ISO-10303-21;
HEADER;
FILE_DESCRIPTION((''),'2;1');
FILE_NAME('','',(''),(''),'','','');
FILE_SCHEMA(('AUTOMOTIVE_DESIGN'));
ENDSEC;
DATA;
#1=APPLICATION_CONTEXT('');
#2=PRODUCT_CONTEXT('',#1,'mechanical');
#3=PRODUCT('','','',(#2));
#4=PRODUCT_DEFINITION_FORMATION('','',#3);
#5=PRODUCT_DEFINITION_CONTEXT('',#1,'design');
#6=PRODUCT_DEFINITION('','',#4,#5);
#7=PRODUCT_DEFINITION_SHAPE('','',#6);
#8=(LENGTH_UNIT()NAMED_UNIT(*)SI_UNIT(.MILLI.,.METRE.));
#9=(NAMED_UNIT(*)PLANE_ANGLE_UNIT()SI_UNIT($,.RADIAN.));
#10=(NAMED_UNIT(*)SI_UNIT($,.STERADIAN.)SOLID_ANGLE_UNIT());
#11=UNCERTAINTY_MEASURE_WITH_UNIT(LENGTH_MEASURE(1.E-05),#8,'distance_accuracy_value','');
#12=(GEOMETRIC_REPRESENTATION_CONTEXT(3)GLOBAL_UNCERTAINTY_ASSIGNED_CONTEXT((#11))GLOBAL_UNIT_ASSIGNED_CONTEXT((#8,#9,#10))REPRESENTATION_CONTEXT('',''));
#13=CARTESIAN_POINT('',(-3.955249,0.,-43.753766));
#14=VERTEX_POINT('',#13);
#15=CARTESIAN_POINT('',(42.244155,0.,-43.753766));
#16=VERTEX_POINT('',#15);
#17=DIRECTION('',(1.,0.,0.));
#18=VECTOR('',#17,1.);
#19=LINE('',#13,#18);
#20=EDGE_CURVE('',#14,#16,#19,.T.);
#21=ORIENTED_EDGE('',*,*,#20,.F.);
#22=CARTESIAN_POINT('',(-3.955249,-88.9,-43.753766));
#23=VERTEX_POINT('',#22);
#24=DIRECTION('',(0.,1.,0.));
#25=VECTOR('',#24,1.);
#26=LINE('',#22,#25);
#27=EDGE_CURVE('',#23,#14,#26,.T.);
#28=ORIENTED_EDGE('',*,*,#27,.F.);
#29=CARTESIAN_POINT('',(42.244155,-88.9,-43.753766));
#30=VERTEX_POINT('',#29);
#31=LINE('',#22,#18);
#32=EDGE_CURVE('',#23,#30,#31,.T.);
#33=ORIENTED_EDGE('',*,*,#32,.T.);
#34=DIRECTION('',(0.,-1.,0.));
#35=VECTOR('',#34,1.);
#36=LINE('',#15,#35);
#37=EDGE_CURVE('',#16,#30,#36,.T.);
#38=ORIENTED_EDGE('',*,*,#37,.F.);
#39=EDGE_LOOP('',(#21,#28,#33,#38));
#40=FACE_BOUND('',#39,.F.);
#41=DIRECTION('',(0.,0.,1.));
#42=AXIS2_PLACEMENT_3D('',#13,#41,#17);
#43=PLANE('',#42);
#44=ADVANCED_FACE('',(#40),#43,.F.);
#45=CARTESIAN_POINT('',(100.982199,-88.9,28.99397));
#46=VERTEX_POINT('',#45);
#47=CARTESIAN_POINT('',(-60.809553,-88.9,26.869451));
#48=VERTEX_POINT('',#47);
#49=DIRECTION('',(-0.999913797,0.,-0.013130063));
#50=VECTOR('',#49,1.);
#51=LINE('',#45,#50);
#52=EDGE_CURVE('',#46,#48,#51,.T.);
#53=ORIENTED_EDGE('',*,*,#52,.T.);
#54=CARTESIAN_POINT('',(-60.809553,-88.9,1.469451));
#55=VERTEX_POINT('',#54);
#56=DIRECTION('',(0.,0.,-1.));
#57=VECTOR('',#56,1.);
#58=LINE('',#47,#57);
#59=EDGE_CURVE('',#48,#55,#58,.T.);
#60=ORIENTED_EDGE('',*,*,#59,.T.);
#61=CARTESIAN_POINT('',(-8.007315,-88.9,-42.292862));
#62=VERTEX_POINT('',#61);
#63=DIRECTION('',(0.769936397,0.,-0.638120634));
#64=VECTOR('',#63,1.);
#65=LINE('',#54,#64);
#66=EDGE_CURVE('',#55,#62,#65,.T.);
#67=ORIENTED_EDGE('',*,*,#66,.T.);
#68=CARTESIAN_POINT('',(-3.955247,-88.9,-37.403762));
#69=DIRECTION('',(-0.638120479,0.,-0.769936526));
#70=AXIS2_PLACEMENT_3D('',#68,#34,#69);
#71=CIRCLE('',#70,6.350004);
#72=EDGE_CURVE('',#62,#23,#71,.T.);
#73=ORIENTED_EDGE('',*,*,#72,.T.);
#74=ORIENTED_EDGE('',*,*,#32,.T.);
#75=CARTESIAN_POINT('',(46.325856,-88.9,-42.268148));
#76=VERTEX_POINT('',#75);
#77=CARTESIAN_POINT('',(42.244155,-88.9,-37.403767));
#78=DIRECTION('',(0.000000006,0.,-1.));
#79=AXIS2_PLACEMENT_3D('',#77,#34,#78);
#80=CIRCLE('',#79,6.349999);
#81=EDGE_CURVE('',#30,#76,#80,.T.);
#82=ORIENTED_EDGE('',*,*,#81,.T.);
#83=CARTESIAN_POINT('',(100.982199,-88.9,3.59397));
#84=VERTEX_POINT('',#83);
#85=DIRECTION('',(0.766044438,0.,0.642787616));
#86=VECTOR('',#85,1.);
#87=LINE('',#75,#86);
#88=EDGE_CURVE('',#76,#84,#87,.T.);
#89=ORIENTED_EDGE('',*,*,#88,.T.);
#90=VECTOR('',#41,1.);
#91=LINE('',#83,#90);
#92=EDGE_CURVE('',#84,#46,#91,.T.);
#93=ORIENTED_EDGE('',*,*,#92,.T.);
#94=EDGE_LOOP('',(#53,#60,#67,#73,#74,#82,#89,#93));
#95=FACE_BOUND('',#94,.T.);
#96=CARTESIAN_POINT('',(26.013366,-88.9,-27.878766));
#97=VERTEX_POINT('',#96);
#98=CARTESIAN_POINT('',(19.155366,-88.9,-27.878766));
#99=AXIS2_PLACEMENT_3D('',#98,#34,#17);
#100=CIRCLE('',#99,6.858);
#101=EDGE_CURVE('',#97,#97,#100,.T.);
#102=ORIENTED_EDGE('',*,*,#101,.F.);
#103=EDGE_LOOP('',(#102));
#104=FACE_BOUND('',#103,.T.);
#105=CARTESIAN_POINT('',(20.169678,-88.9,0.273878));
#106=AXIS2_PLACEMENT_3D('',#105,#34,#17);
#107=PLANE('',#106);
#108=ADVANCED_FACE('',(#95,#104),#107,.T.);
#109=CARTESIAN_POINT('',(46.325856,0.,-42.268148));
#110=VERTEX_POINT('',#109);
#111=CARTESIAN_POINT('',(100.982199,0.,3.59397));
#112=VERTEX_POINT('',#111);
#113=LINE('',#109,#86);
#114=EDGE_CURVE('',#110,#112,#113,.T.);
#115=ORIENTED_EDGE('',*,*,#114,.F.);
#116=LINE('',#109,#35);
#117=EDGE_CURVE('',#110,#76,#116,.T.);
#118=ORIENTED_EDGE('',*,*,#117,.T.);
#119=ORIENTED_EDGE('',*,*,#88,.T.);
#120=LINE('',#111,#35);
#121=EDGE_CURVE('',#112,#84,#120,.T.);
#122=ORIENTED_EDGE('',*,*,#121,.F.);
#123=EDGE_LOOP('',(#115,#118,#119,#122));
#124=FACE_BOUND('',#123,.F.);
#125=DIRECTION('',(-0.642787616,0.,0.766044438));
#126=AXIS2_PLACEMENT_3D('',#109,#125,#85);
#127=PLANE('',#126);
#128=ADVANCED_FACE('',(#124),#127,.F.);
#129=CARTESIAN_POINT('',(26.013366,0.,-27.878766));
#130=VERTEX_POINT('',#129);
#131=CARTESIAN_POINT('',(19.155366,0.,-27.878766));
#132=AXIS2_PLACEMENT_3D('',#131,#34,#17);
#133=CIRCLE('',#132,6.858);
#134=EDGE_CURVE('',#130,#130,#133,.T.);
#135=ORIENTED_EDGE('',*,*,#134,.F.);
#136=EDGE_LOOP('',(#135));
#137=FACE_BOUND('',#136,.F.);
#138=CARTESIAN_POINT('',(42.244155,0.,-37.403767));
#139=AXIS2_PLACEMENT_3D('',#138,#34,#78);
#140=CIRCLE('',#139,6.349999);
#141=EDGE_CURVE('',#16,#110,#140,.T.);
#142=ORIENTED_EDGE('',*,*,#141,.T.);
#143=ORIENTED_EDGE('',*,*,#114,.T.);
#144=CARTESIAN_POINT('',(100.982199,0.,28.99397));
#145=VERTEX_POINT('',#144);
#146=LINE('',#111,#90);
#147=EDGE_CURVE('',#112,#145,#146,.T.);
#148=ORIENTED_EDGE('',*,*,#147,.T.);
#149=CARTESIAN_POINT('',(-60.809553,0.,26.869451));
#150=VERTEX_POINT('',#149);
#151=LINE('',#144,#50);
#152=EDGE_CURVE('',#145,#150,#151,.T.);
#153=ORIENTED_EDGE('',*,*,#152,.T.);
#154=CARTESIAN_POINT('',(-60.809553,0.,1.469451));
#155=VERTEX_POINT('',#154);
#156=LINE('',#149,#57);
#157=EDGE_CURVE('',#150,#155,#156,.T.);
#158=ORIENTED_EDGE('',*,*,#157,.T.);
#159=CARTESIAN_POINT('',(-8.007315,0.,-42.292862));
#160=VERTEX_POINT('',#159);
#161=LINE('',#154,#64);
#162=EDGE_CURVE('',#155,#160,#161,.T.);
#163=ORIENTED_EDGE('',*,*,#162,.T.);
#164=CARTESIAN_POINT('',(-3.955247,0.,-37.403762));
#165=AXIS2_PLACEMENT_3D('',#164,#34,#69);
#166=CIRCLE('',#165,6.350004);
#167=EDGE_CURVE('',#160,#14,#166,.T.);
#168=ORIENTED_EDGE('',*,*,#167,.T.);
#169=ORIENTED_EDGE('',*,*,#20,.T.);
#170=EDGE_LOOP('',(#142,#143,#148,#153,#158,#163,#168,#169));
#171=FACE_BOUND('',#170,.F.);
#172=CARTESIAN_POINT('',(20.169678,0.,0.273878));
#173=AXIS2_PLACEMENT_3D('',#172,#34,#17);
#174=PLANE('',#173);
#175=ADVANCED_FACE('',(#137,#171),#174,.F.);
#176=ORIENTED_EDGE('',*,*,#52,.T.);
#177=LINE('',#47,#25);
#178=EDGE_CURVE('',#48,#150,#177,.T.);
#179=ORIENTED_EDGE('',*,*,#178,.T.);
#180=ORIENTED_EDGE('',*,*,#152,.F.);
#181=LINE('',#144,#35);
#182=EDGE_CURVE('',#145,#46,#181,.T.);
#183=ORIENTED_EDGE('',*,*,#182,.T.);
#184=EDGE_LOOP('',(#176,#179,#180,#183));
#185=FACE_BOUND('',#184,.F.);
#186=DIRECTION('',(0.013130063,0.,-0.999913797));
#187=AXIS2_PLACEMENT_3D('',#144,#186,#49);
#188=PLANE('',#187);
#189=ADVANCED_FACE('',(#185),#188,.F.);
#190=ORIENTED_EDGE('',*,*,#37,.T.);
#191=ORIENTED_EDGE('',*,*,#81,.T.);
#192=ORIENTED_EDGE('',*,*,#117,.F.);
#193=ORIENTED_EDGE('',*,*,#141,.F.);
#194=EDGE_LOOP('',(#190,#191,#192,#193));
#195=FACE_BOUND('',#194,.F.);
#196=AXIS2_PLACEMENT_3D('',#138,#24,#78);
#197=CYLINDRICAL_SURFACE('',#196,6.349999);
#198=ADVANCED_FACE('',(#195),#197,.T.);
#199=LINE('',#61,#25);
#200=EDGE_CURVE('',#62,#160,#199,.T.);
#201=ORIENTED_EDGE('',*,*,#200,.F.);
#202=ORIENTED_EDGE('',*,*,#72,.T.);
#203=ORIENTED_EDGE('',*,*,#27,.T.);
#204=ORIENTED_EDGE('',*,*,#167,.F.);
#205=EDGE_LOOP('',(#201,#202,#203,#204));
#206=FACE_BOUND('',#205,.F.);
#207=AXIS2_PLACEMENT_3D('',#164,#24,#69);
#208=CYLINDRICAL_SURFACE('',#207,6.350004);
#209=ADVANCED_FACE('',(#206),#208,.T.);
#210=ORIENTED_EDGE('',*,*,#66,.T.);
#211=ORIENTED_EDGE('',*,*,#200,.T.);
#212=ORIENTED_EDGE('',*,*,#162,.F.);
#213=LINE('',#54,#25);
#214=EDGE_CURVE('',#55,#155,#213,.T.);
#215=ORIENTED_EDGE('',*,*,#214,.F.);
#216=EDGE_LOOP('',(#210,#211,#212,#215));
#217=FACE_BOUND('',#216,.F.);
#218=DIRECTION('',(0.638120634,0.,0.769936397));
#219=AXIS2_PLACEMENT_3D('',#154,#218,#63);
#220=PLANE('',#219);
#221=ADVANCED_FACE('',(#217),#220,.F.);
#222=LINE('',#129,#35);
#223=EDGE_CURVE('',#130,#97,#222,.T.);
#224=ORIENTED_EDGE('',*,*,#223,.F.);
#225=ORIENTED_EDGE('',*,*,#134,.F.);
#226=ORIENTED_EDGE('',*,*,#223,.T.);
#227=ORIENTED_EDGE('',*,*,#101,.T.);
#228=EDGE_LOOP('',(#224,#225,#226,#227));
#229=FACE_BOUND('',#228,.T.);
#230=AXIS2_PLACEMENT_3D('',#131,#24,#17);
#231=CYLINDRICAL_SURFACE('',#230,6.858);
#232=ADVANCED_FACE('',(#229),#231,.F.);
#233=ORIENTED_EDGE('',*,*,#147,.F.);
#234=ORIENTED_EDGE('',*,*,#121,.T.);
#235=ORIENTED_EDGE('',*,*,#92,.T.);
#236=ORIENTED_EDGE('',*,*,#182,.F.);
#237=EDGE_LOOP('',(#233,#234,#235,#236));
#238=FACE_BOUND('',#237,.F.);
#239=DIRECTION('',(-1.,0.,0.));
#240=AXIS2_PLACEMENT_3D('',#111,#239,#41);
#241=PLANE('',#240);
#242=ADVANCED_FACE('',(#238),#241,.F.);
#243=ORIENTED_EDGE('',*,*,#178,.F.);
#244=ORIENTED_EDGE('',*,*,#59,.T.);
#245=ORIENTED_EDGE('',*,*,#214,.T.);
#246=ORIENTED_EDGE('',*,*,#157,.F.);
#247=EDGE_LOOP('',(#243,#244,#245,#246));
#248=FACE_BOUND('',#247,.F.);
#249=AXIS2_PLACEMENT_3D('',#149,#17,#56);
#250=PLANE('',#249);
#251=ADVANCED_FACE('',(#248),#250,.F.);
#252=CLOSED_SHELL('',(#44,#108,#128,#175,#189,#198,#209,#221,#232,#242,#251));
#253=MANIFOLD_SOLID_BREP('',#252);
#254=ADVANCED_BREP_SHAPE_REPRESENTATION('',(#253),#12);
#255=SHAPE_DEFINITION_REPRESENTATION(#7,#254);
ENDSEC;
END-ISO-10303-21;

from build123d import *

# Parameters (mm, degrees)
F0_R     = 6.858
F1_DEPTH = 3.175
F2_DEPTH = 88.9


with BuildPart() as f1:
    # F0 (on Front) → F1 (new body)
    with BuildSketch(Plane.XZ):
        with BuildLine():
            Line((-3.955249, -43.753766), (19.155366, -43.753766))
            Line((19.155366, -43.753766), (42.244155, -43.753766))
            ThreePointArc((42.244155, -43.753766), (44.415983, -43.370814), (46.325856, -42.268148))
            Line((46.325856, -42.268148), (100.982199, 3.59397))
            Line((100.982199, 3.59397), (100.982199, 28.99397))
            Line((100.982199, 28.99397), (-60.809553, 26.869451))
            Line((-60.809553, 26.869451), (-60.809553, 1.469451))
            Line((-60.809553, 1.469451), (-8.007315, -42.292862))
            ThreePointArc((-8.007315, -42.292862), (-6.108937, -43.377385), (-3.955249, -43.753766))
        make_face()
        with Locations((19.155366, -27.878766)):
            Circle(F0_R, mode=Mode.SUBTRACT)
    extrude(amount=F1_DEPTH)

    # F0 (on Front) → F2 (join)
    with BuildSketch(Plane.XZ):
        with BuildLine():
            Line((-3.955249, -43.753766), (19.155366, -43.753766))
            Line((19.155366, -43.753766), (42.244155, -43.753766))
            ThreePointArc((42.244155, -43.753766), (44.415983, -43.370814), (46.325856, -42.268148))
            Line((46.325856, -42.268148), (100.982199, 3.59397))
            Line((100.982199, 3.59397), (100.982199, 28.99397))
            Line((100.982199, 28.99397), (-60.809553, 26.869451))
            Line((-60.809553, 26.869451), (-60.809553, 1.469451))
            Line((-60.809553, 1.469451), (-8.007315, -42.292862))
            ThreePointArc((-8.007315, -42.292862), (-6.108937, -43.377385), (-3.955249, -43.753766))
        make_face()
        with Locations((19.155366, -27.878766)):
            Circle(F0_R, mode=Mode.SUBTRACT)
    extrude(amount=F2_DEPTH)


solid = f1.part
